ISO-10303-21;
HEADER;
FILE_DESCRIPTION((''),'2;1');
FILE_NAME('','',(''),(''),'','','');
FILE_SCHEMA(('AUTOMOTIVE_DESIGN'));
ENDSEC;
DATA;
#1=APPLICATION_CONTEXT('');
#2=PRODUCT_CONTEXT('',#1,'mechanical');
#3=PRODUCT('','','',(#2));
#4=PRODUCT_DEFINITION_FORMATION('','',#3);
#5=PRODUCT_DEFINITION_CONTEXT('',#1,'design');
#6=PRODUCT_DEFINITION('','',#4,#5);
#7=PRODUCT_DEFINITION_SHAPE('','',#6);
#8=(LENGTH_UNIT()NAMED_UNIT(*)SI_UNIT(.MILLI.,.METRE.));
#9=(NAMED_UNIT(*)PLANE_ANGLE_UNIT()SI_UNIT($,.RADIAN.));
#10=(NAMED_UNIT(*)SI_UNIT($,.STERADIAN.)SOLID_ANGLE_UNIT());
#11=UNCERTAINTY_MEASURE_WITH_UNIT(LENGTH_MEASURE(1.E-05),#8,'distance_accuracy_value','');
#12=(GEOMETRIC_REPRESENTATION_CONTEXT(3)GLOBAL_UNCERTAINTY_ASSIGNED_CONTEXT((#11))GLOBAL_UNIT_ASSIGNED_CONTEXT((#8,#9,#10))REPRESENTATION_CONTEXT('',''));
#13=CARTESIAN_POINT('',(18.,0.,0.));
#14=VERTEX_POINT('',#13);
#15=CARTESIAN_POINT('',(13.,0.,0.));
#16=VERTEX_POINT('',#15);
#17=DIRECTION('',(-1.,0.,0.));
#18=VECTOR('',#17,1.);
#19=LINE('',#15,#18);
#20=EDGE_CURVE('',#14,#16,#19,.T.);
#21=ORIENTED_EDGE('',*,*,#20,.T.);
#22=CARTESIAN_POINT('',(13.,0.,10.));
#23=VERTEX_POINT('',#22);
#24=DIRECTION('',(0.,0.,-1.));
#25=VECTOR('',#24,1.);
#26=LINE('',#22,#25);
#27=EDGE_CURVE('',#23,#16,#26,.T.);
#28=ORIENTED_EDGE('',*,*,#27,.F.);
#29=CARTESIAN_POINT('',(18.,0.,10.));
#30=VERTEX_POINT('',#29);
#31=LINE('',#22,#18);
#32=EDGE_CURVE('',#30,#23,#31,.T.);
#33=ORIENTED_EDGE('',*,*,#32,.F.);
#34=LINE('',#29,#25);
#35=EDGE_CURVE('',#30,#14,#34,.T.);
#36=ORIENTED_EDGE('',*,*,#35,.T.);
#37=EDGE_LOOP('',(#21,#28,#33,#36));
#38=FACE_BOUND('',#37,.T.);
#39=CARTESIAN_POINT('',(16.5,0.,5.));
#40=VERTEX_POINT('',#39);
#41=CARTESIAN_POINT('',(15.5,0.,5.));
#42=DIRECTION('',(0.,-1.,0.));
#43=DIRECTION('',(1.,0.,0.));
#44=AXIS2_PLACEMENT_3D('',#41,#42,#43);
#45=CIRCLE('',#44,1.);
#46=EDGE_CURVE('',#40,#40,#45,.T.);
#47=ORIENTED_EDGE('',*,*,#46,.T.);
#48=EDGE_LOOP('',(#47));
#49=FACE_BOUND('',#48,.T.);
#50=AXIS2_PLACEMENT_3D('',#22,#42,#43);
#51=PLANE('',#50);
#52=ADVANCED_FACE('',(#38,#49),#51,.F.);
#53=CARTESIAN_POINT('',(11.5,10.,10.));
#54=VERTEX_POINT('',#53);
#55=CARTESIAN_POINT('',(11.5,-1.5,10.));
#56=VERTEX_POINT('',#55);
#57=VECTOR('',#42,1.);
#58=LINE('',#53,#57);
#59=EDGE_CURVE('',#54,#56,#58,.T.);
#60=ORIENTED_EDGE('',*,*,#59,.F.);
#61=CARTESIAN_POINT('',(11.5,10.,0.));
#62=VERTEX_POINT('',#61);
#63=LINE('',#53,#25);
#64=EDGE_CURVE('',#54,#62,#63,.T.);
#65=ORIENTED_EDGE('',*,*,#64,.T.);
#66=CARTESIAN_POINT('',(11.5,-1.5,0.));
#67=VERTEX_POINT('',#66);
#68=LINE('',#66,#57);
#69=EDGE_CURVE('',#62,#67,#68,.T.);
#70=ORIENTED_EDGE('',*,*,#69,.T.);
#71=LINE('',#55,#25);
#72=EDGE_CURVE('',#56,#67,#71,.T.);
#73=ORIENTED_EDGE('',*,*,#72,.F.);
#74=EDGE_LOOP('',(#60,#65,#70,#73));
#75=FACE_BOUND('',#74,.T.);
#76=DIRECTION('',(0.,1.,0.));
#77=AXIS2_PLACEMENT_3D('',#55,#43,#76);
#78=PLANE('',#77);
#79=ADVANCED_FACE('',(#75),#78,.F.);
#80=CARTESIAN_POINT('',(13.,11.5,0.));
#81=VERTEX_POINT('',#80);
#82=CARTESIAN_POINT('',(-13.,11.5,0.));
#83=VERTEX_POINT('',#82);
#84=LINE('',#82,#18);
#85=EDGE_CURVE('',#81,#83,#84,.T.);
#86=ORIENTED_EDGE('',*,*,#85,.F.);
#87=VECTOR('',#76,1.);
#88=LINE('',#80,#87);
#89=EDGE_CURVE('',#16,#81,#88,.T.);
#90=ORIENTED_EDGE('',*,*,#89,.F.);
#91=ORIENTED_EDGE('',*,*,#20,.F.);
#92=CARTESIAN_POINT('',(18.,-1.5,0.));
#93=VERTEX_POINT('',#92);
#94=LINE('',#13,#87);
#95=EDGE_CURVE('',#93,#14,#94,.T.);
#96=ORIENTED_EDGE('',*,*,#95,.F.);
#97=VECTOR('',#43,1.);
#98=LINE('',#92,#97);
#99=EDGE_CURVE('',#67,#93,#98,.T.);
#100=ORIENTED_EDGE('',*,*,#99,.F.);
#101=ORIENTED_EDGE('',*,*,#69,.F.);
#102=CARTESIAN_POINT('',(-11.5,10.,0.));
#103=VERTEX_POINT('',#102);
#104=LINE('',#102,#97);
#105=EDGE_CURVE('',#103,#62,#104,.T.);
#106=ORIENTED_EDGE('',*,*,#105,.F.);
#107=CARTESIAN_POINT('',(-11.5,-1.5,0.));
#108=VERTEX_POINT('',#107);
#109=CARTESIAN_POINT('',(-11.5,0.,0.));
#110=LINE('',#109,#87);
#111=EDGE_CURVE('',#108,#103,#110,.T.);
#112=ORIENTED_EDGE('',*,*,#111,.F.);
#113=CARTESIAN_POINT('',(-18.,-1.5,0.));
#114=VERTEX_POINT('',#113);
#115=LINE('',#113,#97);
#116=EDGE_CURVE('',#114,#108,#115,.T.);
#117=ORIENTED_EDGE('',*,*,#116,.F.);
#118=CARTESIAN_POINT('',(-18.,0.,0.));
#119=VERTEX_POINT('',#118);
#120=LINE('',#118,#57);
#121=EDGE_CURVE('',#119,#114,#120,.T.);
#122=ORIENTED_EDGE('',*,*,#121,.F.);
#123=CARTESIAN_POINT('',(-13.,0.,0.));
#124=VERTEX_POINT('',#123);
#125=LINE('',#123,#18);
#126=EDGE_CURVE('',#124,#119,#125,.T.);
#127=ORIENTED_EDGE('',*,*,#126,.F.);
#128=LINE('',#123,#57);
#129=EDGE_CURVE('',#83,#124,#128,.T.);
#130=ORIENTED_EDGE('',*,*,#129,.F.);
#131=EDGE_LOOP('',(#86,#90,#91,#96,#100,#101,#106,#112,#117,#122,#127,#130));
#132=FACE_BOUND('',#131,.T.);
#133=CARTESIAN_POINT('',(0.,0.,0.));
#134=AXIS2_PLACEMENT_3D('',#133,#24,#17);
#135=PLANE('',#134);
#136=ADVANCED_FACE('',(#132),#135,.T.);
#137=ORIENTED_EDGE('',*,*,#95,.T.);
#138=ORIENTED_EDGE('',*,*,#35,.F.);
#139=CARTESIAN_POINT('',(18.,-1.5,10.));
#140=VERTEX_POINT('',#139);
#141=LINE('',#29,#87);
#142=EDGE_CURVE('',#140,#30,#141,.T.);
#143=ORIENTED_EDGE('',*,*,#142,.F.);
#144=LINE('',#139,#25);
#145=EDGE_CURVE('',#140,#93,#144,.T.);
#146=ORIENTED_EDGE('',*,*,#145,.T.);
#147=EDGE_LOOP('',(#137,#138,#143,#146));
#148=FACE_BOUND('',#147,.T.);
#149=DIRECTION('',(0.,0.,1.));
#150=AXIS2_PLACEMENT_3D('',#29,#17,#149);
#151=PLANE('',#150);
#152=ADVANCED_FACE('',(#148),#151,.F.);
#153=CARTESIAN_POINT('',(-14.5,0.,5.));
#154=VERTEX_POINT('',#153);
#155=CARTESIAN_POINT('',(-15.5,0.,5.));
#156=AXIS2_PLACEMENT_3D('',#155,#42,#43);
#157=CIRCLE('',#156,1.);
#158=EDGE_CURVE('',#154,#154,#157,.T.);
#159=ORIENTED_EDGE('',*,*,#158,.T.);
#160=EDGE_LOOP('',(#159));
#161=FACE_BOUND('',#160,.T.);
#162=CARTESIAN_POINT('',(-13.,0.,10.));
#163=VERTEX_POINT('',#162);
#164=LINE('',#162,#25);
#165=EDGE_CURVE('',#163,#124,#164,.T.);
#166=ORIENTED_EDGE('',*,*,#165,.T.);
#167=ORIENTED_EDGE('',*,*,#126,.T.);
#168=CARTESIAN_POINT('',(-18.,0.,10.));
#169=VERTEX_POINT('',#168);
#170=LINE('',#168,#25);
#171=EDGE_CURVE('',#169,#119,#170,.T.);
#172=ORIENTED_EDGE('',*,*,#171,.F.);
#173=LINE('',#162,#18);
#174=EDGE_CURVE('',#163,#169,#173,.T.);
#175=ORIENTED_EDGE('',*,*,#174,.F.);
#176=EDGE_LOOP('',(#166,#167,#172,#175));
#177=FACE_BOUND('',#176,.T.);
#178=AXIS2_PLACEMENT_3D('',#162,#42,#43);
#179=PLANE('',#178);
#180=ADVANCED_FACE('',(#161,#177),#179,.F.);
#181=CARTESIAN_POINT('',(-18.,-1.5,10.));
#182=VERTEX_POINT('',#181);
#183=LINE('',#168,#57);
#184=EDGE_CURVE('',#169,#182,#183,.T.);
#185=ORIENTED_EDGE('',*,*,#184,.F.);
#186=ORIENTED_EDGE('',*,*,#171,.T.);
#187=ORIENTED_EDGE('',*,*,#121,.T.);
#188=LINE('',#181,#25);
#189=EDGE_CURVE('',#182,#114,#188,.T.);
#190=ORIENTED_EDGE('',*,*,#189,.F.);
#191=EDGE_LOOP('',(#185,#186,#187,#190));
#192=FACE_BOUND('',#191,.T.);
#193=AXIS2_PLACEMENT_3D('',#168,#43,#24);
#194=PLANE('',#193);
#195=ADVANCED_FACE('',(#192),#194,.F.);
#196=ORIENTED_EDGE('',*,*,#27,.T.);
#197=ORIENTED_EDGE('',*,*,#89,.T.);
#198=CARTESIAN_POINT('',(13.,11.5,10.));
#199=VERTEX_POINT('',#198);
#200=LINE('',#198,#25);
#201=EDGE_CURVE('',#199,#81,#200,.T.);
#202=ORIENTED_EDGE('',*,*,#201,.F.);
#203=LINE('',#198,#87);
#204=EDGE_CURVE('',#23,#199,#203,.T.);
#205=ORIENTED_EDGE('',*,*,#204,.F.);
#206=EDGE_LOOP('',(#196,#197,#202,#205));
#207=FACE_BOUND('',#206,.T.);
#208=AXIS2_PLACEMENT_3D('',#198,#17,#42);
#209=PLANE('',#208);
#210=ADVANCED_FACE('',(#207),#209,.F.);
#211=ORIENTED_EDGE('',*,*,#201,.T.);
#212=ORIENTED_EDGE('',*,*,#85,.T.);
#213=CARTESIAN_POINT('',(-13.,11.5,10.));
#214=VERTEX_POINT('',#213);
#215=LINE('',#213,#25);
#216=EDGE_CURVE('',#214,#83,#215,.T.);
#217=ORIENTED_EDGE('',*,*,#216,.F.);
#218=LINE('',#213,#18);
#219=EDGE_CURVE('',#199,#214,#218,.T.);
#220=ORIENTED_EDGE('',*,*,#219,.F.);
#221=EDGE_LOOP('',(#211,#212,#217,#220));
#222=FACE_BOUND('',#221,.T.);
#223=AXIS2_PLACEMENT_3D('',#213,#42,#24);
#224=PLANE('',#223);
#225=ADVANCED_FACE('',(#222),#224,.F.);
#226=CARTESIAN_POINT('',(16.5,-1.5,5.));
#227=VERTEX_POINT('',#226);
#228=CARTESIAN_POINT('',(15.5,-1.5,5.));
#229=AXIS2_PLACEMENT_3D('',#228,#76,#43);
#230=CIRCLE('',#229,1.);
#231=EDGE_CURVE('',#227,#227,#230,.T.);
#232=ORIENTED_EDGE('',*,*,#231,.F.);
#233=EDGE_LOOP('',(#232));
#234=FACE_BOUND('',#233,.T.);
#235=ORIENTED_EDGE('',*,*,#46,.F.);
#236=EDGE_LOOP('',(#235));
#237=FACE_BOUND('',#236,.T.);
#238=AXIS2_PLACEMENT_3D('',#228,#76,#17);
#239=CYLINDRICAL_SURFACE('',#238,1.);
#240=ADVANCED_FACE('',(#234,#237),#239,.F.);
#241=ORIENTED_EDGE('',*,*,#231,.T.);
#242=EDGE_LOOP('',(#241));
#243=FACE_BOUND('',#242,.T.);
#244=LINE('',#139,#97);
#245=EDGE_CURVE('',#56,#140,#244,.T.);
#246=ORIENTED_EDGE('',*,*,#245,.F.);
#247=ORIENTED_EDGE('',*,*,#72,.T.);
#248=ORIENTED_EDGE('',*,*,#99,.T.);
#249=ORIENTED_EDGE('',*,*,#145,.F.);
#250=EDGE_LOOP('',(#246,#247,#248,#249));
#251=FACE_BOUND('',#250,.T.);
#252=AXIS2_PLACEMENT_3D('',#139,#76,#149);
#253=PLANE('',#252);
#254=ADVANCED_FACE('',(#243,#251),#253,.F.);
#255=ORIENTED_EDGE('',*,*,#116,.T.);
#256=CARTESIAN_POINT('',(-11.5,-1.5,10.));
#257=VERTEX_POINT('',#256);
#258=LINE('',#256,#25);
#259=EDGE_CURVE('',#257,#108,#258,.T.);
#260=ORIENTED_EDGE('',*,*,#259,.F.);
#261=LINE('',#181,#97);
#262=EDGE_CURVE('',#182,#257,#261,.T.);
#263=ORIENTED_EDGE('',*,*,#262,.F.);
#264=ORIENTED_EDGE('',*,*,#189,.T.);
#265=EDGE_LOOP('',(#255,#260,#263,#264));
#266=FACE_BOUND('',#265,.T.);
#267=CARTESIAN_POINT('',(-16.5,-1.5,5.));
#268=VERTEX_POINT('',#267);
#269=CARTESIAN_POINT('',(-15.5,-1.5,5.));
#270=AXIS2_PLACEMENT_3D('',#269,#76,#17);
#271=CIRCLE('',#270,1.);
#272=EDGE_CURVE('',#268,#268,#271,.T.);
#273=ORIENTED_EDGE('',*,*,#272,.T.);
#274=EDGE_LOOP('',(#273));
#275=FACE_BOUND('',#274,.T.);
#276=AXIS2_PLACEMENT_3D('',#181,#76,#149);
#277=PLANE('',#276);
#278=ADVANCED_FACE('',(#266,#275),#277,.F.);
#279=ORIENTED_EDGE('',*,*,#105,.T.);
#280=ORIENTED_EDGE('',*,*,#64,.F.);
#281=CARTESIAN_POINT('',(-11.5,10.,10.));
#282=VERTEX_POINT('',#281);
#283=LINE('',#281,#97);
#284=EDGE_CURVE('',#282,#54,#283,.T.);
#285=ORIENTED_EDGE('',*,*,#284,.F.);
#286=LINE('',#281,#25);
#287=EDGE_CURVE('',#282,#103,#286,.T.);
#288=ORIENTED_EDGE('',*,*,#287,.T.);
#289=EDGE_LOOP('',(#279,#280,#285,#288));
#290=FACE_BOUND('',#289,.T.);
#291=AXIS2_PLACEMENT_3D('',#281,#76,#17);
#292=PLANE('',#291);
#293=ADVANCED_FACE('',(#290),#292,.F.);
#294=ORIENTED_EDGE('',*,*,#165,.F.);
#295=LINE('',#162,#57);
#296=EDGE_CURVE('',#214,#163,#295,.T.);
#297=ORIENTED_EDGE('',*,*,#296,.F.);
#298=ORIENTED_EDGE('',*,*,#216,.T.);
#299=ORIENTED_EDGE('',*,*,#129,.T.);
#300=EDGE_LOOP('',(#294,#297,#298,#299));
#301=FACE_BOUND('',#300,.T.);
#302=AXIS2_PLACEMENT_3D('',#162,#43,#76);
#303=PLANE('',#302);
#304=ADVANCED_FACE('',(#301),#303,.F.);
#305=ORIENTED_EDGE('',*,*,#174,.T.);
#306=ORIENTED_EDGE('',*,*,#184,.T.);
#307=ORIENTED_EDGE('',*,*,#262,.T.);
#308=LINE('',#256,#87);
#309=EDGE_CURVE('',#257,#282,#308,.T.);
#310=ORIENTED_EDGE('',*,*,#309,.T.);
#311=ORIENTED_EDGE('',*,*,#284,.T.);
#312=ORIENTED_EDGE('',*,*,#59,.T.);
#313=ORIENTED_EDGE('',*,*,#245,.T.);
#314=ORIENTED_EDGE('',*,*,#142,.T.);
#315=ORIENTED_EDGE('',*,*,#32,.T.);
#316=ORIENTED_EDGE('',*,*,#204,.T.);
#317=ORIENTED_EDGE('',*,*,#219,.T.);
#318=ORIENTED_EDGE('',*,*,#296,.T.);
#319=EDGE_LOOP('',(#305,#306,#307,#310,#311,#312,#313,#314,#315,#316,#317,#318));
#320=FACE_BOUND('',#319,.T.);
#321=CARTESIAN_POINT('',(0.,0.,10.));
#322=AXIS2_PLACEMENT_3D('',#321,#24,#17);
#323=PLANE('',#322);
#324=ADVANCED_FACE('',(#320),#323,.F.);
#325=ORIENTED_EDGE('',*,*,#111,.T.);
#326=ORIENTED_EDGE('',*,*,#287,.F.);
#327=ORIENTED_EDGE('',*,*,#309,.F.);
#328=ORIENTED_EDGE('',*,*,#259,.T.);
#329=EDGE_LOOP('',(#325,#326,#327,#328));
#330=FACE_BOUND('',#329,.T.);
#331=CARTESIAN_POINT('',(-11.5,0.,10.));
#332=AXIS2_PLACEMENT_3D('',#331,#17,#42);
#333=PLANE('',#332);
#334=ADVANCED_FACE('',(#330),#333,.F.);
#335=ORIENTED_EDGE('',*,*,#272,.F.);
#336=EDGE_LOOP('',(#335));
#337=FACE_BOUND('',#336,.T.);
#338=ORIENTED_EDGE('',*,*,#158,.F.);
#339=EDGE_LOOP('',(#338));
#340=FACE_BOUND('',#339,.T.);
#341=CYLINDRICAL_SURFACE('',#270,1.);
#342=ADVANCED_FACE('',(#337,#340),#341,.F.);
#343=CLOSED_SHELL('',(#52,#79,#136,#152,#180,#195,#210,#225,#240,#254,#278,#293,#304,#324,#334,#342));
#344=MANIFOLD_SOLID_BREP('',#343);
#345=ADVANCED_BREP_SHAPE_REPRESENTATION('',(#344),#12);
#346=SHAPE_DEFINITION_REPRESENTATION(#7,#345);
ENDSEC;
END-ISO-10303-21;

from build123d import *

# Parameters (mm, degrees)
BOSS_EXTRUDE1_DEPTH     = 10
CUT_EXTRUDE1_DEPTH      = 24.58495283
CUT_EXTRUDE1_DEPTH_BACK = 24.58495283
SKETCH2_R               = 1


with BuildPart() as part:
    # Sketch1 → Boss-Extrude1 (new body)
    with BuildSketch(Plane.XY):
        Polygon((-11.5, 0), (-11.5, 10), (11.5, 10), (11.5, 0), (11.5, -1.5), (18, -1.5), (18, 0), (13, 0), (13, 11.5), (-13, 11.5), (-13, 0), (-18, 0), (-18, -1.5), (-11.5, -1.5), align=None)
    extrude(amount=BOSS_EXTRUDE1_DEPTH)

    # Sketch2 → Cut-Extrude1 (cut, two sides: drawn at the far end of the back side and taken through both)
    with BuildSketch(Plane(origin=(0, 0, 0), x_dir=(1, 0, 0), z_dir=(0, 1, 0)).offset(-CUT_EXTRUDE1_DEPTH_BACK)):
        with Locations(Location((-15.5, -5, 0), (0, 0, 180))):
            Circle(SKETCH2_R)
        with Locations((15.5, -5)):
            Circle(SKETCH2_R)
    extrude(amount=CUT_EXTRUDE1_DEPTH + CUT_EXTRUDE1_DEPTH_BACK, mode=Mode.SUBTRACT)


solid = part.part
